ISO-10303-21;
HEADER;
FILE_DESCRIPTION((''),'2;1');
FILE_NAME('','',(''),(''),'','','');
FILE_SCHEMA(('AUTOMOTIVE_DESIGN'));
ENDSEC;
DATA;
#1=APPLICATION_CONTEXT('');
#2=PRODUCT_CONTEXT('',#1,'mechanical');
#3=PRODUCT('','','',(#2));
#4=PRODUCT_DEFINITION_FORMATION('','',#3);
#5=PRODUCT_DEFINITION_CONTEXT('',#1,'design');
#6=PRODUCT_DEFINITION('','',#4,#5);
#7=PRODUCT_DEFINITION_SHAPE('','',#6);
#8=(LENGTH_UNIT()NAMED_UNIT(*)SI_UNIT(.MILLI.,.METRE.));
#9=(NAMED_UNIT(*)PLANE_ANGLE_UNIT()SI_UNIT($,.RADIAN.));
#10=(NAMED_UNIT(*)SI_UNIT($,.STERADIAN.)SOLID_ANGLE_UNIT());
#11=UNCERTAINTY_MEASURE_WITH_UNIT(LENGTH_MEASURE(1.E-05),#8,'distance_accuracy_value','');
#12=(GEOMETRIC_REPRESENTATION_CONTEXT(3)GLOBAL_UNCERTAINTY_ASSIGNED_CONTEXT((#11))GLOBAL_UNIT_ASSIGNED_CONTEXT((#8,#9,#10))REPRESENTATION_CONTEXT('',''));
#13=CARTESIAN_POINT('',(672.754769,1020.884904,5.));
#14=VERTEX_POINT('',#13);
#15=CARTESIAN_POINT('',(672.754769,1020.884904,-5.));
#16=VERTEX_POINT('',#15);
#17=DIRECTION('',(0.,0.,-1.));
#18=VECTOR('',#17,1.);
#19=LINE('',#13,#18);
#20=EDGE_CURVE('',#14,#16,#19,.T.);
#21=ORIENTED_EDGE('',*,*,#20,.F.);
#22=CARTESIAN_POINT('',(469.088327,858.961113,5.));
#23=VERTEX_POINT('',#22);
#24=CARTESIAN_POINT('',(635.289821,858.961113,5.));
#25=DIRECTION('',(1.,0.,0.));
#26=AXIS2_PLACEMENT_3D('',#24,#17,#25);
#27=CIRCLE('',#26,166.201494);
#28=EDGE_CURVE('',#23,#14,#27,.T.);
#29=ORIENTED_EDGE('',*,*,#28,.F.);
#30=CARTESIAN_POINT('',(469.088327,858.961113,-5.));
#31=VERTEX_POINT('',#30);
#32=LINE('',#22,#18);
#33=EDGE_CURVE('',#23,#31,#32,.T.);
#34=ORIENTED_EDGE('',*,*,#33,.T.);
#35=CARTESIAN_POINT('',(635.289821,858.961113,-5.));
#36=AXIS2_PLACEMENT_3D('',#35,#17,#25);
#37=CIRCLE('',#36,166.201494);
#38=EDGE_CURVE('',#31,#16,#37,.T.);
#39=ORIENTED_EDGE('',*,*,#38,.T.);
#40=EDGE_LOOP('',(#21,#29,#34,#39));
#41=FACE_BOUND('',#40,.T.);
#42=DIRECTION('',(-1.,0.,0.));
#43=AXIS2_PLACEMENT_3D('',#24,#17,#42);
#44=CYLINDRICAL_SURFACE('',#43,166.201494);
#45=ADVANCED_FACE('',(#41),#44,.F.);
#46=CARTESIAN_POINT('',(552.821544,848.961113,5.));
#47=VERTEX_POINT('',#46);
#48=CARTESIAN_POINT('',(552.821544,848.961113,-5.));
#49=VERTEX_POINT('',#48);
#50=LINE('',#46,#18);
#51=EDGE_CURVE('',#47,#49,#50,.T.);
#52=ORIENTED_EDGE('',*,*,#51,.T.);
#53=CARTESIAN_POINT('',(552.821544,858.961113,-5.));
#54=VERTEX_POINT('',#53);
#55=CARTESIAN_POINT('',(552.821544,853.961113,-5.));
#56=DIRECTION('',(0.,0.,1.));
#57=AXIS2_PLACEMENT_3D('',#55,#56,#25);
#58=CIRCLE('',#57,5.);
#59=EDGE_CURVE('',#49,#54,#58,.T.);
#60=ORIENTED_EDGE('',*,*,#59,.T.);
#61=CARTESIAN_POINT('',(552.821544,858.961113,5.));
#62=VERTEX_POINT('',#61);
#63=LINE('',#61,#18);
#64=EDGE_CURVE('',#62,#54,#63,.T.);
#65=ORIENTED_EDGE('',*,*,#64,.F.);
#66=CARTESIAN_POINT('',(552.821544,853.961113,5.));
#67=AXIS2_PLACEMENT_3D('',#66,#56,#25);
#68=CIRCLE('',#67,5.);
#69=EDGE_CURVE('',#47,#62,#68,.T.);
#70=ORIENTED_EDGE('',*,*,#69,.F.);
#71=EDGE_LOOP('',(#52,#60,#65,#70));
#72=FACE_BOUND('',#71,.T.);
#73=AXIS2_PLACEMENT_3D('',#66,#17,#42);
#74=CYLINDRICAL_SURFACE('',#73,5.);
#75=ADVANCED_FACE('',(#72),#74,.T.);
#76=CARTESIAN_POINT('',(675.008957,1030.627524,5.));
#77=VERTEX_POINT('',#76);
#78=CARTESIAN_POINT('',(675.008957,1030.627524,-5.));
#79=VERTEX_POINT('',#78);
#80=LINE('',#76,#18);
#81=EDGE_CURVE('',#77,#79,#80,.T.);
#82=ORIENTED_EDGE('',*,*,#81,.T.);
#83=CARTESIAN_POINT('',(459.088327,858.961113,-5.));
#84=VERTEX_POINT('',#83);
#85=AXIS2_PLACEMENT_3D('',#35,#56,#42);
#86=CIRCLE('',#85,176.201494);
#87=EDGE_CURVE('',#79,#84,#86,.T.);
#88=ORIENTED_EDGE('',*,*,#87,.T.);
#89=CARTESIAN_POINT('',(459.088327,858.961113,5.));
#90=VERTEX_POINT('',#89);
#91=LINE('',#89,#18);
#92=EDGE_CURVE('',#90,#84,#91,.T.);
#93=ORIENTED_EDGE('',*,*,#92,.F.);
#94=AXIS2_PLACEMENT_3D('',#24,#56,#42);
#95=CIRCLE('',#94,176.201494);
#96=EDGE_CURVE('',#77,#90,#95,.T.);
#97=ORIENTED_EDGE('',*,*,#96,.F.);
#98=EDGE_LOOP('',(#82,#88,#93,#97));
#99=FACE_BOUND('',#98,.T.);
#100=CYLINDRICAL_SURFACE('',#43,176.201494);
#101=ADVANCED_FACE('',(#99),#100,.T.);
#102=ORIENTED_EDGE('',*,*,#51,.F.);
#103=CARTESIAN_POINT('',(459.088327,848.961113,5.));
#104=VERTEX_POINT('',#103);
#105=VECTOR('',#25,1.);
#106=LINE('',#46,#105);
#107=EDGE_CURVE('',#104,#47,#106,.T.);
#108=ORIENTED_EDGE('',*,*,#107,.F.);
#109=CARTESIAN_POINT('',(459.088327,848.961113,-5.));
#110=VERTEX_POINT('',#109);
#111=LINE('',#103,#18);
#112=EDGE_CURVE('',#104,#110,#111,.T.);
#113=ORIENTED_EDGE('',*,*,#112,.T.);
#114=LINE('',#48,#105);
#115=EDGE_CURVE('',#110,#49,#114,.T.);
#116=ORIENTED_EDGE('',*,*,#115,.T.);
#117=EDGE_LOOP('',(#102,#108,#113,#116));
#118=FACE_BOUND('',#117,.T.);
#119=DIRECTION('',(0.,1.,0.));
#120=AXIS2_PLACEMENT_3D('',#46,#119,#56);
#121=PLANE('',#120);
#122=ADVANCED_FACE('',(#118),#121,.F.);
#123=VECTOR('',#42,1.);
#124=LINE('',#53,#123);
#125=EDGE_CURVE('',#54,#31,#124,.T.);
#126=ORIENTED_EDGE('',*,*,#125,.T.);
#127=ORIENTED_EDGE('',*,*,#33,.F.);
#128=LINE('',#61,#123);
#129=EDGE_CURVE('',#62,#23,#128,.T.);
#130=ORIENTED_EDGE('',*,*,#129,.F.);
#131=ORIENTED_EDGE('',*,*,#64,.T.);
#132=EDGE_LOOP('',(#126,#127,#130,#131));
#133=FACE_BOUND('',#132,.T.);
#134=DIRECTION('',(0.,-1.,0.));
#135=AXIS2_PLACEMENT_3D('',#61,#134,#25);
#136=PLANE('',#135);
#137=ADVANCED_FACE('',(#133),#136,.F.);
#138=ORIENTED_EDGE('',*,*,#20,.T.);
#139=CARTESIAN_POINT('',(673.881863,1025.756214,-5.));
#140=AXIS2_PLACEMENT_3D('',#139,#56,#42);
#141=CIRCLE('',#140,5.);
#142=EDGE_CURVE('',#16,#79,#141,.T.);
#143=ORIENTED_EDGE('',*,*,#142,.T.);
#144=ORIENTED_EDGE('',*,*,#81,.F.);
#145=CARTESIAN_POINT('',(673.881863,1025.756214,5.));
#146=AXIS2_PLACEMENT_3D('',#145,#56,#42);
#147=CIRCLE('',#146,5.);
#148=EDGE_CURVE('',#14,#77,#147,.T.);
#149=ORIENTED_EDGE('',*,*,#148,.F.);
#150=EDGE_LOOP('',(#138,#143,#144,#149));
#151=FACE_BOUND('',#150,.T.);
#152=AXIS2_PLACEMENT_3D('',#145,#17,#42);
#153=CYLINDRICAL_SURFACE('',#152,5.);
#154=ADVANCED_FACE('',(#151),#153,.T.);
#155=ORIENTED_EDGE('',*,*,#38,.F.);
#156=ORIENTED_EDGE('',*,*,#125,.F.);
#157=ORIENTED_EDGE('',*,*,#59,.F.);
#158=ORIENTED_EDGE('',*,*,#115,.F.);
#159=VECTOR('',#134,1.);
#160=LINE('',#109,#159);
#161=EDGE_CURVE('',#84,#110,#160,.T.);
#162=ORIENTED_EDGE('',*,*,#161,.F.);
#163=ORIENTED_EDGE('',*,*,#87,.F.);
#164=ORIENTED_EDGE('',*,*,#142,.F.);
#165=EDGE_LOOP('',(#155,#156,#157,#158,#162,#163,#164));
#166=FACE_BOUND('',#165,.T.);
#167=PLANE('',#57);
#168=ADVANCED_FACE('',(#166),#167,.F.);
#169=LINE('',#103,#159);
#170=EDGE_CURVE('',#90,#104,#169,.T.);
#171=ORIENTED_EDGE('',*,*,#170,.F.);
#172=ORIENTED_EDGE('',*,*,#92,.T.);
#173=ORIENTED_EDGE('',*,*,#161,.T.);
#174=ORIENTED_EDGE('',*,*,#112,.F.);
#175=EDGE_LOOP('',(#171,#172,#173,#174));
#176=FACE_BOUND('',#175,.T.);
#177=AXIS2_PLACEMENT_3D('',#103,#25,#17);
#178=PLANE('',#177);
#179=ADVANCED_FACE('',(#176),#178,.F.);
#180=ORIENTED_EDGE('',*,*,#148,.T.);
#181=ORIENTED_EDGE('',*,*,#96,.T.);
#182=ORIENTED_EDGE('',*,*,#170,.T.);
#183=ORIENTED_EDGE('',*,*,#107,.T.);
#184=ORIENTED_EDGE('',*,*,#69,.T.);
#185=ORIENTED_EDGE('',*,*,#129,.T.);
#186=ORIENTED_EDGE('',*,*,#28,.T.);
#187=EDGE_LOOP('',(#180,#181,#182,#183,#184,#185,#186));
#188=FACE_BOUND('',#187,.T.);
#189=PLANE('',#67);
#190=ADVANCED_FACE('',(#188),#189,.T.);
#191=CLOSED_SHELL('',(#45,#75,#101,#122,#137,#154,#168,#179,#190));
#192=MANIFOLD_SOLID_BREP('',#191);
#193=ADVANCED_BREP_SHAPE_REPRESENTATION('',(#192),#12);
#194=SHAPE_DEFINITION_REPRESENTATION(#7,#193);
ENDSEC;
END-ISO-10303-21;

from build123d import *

# Parameters (mm, degrees)
BOSS_EXTRUDE1_DEPTH = 5


with BuildPart() as part:
    # Sketch1 → Boss-Extrude1 (new, symmetric)
    with BuildSketch(Plane.XY):
        with BuildLine():
            Line((552.821544179, 848.961112624), (459.088326812, 848.961112624))
            Line((459.088326812, 848.961112624), (459.088326812, 858.961112624))
            ThreePointArc((459.088326812, 858.961112624), (525.634918269, 996.884166681), (675.00895728, 1030.627523725))
            ThreePointArc((675.00895728, 1030.627523725), (678.753172827, 1024.629119776), (672.754768877, 1020.884904229))
            ThreePointArc((672.754768877, 1020.884904229), (531.858185738, 989.056590938), (469.088326812, 858.961112624))
            Line((469.088326812, 858.961112624), (552.821544179, 858.961112624))
            ThreePointArc((552.821544179, 858.961112624), (557.821544179, 853.961112624), (552.821544179, 848.961112624))
        make_face()
    extrude(amount=BOSS_EXTRUDE1_DEPTH, both=True)


solid = part.part
